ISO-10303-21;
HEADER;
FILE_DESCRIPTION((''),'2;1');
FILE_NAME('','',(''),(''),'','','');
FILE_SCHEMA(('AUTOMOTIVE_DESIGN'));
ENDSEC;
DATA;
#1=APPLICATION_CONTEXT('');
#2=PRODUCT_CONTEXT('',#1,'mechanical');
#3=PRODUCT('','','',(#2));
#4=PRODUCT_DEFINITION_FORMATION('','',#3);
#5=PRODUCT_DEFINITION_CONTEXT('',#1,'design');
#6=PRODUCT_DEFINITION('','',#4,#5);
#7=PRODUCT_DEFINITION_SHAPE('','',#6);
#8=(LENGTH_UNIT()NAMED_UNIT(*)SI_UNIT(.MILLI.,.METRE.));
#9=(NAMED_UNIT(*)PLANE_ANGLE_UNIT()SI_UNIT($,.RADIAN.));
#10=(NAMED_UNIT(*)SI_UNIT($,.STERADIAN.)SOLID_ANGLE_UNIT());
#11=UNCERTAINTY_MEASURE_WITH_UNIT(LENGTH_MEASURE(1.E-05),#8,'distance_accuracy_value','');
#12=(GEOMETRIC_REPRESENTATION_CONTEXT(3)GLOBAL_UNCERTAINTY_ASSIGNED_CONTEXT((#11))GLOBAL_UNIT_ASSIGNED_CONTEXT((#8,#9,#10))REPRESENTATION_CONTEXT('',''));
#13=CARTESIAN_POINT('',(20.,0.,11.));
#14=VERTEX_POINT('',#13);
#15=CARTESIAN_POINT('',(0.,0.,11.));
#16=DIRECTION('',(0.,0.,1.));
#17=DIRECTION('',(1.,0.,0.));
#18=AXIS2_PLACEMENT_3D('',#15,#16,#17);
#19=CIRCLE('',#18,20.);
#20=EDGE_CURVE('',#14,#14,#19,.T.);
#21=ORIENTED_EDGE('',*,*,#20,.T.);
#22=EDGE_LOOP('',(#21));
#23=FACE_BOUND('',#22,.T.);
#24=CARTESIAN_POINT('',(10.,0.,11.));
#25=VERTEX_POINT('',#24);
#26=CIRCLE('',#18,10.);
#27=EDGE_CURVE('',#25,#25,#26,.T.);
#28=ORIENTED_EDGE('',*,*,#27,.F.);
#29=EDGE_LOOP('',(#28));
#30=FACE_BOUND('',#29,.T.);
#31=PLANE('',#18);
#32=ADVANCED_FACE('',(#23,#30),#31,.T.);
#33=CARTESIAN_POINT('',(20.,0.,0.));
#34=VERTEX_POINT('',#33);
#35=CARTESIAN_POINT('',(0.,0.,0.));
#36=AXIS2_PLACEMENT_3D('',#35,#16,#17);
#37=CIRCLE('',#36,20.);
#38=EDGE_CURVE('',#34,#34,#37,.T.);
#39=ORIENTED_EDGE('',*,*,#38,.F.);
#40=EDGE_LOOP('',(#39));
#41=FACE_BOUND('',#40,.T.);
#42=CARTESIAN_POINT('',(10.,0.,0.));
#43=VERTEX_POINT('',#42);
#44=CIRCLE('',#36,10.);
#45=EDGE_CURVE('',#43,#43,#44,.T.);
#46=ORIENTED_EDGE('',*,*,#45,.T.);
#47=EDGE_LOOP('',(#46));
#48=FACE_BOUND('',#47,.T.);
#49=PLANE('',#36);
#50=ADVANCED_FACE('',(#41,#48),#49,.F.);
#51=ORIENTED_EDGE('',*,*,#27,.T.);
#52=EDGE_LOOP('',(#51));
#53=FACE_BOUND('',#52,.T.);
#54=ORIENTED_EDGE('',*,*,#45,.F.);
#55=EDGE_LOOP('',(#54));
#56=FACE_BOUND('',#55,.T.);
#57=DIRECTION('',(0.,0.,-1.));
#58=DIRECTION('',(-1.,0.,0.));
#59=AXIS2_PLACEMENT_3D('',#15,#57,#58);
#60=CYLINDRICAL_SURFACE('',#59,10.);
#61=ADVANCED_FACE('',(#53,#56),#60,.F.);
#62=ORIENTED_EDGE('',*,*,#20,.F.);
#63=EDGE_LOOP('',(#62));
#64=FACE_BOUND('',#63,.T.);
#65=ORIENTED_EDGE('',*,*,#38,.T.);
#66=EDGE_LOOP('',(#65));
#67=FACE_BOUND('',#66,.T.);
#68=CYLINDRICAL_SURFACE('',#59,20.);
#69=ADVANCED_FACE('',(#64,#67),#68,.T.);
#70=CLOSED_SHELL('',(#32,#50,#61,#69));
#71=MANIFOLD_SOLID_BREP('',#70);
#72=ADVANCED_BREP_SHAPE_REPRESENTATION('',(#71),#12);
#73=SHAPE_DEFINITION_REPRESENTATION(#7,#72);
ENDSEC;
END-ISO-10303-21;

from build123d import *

# Parameters (mm, degrees)
SKETCH1_R           = 20
SKETCH1_R_2         = 10
BOSS_EXTRUDE1_DEPTH = 11


with BuildPart() as part:
    # Sketch1 → Boss-Extrude1 (new body)
    with BuildSketch(Plane.XY):
        Circle(SKETCH1_R)
        Circle(SKETCH1_R_2, mode=Mode.SUBTRACT)
    extrude(amount=BOSS_EXTRUDE1_DEPTH)


solid = part.part
